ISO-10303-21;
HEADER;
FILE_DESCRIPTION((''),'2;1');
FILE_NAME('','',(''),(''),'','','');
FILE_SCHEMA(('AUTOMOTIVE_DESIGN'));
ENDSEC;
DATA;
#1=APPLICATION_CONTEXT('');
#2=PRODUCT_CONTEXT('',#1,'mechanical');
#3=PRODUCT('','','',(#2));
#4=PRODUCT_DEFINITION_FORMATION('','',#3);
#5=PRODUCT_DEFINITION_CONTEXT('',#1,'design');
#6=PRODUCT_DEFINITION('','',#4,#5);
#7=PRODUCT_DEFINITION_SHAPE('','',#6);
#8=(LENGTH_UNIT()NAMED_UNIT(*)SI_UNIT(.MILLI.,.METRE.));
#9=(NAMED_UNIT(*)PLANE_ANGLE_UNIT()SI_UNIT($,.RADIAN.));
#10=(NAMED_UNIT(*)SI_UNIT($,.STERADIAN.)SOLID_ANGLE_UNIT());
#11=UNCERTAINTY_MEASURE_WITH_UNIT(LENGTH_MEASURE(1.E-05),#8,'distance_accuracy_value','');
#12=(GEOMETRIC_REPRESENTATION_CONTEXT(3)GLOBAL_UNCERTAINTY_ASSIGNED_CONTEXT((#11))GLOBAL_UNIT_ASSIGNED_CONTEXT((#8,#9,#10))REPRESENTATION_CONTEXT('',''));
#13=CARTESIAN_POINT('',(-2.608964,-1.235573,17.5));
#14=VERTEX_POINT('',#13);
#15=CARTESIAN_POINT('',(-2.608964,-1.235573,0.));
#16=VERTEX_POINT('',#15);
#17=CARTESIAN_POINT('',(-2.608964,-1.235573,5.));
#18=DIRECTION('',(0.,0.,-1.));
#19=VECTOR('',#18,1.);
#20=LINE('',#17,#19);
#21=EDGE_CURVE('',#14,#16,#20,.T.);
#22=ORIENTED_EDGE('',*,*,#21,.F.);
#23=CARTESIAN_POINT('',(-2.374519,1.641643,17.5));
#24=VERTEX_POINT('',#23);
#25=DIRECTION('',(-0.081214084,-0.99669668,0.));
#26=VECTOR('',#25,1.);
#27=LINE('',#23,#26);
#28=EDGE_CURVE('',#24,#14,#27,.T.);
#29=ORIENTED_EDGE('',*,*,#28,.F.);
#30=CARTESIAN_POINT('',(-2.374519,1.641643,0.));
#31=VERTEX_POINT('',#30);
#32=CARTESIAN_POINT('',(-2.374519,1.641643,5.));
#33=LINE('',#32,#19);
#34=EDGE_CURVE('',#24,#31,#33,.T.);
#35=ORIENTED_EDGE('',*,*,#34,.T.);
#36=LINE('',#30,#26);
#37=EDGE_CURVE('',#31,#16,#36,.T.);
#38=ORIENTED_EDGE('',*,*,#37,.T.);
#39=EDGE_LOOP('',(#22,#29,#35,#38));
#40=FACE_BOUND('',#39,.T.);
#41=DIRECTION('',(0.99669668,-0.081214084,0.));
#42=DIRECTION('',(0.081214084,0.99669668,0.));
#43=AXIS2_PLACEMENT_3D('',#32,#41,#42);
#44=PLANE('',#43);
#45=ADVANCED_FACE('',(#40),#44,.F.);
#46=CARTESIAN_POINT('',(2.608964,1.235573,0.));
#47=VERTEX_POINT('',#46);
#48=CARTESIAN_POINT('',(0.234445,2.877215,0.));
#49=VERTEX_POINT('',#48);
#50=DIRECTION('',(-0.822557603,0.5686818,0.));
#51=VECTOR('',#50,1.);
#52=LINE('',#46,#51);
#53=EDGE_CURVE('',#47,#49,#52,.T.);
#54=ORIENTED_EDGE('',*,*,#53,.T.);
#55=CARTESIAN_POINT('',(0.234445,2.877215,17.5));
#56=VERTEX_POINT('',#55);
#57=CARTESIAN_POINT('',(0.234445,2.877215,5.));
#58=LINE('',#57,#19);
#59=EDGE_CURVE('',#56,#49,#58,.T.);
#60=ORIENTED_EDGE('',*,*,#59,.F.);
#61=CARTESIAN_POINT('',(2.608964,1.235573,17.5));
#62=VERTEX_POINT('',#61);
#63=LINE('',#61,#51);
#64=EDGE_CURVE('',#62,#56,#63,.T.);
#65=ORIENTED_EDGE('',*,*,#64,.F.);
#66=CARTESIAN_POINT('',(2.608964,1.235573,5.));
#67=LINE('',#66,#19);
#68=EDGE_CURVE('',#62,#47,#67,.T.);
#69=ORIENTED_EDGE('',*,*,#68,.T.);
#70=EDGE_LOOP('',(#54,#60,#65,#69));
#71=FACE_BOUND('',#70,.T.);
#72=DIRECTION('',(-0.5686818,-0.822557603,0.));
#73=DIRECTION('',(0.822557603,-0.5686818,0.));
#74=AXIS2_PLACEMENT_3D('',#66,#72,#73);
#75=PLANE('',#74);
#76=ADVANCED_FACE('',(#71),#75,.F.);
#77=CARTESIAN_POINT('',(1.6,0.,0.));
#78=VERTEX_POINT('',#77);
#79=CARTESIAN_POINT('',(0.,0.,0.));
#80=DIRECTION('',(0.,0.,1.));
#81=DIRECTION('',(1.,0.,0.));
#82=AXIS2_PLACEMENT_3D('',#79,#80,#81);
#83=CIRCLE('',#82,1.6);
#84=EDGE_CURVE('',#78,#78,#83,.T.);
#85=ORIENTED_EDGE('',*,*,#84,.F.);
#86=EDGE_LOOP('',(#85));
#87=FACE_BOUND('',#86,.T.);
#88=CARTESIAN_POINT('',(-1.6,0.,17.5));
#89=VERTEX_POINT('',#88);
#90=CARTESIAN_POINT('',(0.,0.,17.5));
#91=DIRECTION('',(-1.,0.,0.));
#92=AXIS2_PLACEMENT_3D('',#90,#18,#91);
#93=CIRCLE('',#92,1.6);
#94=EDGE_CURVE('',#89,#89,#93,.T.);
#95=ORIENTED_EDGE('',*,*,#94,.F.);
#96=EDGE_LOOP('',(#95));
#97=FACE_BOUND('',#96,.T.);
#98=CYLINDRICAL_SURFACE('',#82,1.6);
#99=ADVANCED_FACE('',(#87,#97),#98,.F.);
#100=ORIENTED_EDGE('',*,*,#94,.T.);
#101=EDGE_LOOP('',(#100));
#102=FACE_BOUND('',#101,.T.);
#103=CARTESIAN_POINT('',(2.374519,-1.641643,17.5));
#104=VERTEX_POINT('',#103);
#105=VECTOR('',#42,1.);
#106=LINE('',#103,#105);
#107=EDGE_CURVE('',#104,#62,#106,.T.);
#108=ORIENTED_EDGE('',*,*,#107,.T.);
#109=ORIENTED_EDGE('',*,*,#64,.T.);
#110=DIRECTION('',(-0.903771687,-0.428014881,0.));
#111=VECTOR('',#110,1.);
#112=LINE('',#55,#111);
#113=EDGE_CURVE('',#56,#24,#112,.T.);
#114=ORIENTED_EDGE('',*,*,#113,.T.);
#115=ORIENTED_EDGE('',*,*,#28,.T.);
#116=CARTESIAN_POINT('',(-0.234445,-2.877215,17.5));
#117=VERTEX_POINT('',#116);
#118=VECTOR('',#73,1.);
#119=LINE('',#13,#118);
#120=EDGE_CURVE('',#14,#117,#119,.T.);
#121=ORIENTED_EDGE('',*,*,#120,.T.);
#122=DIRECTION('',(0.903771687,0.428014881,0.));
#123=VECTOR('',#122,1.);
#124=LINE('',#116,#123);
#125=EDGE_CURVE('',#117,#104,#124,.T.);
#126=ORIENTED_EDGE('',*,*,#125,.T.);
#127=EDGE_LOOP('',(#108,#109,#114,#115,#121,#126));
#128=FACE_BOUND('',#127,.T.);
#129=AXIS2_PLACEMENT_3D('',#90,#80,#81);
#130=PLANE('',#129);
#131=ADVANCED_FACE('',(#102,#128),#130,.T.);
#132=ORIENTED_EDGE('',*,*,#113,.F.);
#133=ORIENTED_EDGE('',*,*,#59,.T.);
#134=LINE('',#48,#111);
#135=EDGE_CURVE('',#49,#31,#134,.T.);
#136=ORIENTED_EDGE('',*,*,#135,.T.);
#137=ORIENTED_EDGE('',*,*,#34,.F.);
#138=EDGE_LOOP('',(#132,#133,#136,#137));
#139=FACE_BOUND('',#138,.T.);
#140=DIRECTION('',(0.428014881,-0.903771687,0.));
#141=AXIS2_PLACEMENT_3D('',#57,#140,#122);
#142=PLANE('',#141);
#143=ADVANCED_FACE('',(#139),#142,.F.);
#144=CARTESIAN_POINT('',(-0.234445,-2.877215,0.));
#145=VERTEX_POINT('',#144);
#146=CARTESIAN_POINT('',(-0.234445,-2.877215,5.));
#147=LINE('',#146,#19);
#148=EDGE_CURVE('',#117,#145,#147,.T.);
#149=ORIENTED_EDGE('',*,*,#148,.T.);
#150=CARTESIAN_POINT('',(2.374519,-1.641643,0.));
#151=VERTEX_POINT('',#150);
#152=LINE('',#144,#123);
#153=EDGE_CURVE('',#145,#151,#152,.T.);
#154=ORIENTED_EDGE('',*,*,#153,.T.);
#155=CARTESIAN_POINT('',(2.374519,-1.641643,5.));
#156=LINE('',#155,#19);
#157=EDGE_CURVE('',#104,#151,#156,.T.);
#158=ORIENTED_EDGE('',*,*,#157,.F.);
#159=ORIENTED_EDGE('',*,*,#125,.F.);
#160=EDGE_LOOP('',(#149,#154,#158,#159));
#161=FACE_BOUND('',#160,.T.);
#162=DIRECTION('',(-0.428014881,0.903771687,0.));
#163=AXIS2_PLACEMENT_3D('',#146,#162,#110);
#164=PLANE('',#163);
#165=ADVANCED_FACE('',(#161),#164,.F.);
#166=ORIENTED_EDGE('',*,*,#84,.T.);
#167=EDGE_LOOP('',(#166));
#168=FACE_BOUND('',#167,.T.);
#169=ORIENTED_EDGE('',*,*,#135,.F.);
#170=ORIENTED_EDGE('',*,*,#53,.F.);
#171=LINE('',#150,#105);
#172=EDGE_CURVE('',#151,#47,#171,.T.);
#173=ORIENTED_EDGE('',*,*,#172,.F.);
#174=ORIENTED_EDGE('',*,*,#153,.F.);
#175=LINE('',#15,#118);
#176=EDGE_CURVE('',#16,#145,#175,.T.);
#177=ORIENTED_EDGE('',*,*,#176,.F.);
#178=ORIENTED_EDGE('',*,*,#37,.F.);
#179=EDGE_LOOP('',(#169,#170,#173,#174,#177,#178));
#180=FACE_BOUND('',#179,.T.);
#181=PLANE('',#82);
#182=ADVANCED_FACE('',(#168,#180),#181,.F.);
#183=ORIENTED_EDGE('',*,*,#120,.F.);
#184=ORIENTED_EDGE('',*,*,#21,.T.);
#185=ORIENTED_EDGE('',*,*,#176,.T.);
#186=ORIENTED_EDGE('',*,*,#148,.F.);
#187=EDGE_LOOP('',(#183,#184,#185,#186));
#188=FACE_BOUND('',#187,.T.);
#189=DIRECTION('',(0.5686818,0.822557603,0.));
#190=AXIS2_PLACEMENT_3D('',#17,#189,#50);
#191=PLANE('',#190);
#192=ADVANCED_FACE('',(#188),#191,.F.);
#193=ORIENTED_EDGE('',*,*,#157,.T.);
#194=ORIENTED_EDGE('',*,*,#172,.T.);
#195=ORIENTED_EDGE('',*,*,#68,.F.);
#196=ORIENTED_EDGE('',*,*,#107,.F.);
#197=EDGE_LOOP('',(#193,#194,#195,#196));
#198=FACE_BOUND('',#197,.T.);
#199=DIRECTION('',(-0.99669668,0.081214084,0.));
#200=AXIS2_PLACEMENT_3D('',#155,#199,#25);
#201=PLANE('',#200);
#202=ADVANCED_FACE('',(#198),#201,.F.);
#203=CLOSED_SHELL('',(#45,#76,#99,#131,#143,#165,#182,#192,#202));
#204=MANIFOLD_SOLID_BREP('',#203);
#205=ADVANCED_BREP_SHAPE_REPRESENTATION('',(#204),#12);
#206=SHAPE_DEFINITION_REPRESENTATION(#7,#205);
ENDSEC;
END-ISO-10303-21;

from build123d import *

# Parameters (mm, degrees)
BOSS_EXTRUDE1_DEPTH = 5
SKETCH2_R           = 1.6
CUT_EXTRUDE1_DEPTH  = 5
BOSS_EXTRUDE2_DEPTH = 12.5
CUT_EXTRUDE2_START  = -12.5
SKETCH4_R           = 1.6
CUT_EXTRUDE2_DEPTH  = 12.5


with BuildPart() as part:
    # Sketch1 → Boss-Extrude1 (new body)
    with BuildSketch(Plane.XY):
        Polygon((-2.374519268, 1.641642951), (-2.608964134, -1.235572533), (-0.234444865, -2.877215483), (2.374519268, -1.641642951), (2.608964134, 1.235572533), (0.234444865, 2.877215483), align=None)
    extrude(amount=BOSS_EXTRUDE1_DEPTH)

    # Sketch2 → Cut-Extrude1 (cut)
    with BuildSketch(Plane.XY.offset(5)):
        Circle(SKETCH2_R)
    extrude(amount=-CUT_EXTRUDE1_DEPTH, mode=Mode.SUBTRACT)

    # Sketch3 → Boss-Extrude2 (add)
    with BuildSketch(Plane.XY.offset(5)):
        Polygon((-0.234444865, -2.877215483), (2.374519268, -1.641642951), (2.608964134, 1.235572533), (0.234444865, 2.877215483), (-2.374519268, 1.641642951), (-2.608964134, -1.235572533), align=None)
    extrude(amount=BOSS_EXTRUDE2_DEPTH)

    # Sketch4 → Cut-Extrude2 (cut)
    with BuildSketch(Plane(origin=(0, 0, 5), x_dir=(-1, 0, 0), z_dir=(0, 0, -1)).offset(CUT_EXTRUDE2_START)):
        with Locations(Location((0, 0, 0), (0, 0, 180))):
            Circle(SKETCH4_R)
    extrude(amount=CUT_EXTRUDE2_DEPTH, mode=Mode.SUBTRACT)


solid = part.part
